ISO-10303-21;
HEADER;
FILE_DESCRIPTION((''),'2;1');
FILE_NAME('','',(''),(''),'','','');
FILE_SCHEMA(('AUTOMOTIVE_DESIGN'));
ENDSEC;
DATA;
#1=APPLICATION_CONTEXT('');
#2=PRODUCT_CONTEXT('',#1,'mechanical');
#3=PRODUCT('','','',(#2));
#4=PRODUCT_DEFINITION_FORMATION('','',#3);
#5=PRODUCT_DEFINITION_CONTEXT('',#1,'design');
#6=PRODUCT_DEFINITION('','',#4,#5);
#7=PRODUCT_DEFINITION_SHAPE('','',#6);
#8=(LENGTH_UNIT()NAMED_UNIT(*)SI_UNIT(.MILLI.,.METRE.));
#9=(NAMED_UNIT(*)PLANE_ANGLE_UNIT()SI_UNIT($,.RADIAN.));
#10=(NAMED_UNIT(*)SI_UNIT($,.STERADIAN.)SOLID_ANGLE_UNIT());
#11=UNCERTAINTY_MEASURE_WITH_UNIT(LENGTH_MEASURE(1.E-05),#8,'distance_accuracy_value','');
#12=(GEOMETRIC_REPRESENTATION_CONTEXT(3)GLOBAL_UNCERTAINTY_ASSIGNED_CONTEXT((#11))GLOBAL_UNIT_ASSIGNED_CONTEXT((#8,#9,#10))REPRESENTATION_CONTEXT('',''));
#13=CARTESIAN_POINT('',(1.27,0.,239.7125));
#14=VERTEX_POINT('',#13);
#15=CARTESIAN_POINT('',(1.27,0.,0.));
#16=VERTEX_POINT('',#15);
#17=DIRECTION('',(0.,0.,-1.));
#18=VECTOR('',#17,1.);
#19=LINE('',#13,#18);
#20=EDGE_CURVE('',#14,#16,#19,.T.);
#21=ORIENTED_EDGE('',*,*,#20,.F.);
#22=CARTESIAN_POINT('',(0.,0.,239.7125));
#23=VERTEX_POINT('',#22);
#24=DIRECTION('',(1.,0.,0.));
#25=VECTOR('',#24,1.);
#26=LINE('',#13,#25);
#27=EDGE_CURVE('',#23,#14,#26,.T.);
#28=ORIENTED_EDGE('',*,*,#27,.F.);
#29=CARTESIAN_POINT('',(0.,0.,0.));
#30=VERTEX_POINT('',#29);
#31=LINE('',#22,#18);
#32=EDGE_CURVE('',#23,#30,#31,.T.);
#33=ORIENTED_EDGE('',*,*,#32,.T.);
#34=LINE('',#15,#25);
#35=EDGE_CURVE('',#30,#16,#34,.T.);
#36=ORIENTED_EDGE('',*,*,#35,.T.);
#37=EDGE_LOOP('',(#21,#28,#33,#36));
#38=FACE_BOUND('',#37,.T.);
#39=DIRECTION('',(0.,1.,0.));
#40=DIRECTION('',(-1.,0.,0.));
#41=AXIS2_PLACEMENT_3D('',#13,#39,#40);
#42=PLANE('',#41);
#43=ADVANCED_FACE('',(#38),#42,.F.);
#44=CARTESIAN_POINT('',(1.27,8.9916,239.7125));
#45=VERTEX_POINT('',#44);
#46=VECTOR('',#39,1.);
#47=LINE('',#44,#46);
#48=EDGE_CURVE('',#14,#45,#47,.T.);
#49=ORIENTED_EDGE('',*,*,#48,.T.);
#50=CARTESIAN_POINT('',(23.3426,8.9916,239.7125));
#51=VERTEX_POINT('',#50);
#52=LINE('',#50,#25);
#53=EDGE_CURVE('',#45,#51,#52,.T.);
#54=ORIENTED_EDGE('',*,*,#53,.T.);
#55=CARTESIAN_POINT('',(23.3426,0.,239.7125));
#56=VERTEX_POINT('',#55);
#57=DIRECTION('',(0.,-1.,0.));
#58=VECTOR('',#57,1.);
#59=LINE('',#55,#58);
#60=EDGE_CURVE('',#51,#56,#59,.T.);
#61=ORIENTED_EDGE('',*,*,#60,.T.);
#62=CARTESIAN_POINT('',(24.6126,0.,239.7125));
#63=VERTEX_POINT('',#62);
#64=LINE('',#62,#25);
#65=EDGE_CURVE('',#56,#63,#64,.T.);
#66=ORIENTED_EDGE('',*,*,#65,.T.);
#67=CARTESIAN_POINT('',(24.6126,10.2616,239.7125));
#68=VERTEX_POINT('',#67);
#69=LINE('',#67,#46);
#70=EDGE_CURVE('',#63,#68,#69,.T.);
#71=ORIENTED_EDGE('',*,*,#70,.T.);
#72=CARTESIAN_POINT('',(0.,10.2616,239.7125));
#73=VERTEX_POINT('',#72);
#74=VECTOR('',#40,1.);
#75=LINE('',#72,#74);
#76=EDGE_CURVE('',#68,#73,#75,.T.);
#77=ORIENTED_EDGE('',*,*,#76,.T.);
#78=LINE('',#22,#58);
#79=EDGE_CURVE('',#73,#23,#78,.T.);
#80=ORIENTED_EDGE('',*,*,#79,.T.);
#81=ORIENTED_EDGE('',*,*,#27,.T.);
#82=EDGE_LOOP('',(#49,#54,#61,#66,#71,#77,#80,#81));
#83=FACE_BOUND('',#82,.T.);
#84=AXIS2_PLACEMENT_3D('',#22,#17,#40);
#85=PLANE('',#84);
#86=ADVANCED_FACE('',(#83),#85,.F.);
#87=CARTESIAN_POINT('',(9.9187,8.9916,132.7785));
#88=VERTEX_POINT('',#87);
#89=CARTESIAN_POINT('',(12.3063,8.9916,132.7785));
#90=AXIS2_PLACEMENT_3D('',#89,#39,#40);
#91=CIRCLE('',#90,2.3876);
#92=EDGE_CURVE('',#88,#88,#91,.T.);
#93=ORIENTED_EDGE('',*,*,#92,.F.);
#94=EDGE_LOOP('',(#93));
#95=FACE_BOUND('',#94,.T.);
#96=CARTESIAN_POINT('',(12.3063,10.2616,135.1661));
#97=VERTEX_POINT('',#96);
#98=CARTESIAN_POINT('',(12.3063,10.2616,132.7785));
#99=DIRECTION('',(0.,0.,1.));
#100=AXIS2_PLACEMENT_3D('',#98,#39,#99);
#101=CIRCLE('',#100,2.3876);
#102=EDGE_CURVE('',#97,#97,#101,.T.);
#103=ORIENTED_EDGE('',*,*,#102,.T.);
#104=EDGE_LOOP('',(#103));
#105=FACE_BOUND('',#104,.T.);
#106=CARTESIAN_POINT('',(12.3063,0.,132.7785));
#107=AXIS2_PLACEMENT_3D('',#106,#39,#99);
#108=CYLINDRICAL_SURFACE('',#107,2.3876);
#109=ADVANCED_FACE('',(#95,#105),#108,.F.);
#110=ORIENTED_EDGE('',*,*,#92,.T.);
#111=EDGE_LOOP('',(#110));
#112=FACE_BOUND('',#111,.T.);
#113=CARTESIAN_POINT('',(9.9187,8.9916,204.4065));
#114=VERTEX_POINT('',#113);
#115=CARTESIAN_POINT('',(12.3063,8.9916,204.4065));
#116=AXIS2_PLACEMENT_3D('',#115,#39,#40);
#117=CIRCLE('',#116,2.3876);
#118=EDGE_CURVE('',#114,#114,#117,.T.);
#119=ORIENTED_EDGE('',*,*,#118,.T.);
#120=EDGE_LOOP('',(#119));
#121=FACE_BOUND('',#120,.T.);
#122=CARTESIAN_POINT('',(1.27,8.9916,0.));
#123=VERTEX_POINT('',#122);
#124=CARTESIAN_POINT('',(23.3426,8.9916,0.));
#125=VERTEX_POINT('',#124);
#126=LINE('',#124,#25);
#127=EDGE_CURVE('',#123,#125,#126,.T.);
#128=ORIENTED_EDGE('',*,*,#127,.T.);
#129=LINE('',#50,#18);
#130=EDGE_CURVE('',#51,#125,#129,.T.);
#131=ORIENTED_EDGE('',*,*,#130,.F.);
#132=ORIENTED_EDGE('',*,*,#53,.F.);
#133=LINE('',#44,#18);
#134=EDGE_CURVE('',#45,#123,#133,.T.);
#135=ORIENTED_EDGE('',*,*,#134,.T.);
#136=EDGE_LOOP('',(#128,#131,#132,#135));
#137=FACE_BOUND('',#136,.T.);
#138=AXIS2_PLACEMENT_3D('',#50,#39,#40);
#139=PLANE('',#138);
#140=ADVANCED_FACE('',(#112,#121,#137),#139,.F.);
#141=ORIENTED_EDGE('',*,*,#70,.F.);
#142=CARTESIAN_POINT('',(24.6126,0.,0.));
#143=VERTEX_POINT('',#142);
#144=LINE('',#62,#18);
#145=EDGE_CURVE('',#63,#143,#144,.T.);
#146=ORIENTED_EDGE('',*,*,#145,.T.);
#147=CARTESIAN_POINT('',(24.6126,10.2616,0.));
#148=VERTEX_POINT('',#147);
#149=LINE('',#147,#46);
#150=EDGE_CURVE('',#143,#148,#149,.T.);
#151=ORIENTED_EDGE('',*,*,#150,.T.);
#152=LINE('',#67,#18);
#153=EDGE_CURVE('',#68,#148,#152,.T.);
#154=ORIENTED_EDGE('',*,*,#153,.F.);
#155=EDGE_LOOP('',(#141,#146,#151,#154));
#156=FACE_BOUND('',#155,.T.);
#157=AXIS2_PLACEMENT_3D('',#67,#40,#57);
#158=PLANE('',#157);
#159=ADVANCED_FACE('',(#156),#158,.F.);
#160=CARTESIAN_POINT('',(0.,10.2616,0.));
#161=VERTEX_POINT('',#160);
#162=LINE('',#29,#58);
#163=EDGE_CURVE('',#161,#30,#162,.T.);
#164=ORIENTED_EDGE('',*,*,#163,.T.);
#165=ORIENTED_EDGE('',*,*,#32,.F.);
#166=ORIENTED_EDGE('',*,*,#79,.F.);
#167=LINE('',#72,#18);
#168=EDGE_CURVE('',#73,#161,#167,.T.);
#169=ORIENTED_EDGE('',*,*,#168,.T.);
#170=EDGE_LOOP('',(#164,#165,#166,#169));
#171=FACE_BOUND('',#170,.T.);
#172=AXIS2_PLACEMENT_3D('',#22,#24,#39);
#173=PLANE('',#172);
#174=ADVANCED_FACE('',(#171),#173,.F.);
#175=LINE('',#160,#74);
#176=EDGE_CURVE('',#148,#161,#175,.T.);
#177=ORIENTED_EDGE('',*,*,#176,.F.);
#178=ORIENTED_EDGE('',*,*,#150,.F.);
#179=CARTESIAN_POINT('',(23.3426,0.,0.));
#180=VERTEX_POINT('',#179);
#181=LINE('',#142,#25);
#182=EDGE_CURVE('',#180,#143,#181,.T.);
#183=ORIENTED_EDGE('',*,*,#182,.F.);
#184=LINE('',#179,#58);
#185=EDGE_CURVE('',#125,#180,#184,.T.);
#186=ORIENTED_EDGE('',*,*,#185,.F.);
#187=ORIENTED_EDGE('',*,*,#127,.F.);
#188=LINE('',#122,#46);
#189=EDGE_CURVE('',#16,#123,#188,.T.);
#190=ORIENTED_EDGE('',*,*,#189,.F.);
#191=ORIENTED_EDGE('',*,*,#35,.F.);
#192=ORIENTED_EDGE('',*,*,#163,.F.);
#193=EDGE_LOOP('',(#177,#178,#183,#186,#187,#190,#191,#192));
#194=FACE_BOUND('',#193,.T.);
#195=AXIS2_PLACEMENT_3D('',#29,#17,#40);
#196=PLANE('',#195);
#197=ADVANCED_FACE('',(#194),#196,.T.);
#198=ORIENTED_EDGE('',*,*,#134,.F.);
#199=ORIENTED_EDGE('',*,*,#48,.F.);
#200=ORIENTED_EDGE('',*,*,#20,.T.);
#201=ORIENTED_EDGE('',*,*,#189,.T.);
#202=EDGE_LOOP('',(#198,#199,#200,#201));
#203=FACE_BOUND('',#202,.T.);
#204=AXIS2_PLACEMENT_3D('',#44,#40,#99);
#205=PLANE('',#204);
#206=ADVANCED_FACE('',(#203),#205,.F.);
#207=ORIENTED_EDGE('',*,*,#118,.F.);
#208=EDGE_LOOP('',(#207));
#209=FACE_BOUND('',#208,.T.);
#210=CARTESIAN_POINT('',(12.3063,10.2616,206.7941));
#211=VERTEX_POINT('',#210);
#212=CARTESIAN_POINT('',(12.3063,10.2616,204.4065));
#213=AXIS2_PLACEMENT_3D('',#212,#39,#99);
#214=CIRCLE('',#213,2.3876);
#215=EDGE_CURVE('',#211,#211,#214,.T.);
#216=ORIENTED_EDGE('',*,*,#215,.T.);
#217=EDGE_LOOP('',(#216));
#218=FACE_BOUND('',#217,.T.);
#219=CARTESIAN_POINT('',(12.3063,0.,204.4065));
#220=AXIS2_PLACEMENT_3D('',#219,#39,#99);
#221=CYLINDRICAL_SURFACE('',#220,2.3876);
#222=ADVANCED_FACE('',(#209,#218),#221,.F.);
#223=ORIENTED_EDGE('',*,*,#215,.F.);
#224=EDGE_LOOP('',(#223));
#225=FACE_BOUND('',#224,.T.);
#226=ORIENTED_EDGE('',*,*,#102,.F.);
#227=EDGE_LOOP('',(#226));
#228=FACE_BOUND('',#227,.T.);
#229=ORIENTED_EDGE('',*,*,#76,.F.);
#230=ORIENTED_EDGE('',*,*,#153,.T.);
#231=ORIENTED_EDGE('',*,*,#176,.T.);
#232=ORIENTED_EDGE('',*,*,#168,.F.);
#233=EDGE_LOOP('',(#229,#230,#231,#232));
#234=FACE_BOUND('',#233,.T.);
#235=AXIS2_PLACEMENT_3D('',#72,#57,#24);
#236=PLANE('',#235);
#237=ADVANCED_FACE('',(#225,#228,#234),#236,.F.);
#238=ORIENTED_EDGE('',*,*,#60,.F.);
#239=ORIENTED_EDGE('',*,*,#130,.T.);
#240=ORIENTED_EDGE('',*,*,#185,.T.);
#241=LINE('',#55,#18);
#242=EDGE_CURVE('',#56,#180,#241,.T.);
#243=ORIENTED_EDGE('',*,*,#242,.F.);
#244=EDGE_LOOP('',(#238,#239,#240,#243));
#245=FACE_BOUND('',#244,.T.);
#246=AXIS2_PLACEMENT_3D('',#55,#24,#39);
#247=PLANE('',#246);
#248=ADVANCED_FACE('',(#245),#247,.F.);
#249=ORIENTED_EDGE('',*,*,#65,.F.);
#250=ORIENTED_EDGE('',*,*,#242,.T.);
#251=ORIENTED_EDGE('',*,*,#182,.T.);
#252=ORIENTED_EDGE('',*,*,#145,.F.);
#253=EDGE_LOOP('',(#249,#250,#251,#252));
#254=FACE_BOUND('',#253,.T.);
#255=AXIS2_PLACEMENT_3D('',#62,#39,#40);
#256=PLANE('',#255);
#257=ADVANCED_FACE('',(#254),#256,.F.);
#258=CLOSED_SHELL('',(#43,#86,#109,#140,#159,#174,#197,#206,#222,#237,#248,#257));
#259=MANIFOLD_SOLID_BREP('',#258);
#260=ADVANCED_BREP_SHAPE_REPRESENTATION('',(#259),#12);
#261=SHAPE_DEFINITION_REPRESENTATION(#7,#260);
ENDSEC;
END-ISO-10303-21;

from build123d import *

# Parameters (mm, degrees)
BOSS_EXTRUDE1_DEPTH          = 239.7125
SKETCH3_R                    = 2.3876
RECOGNIZER_MOUNT_HOLES_DEPTH = 11.2616


with BuildPart() as part:
    # Sketch1 → Boss-Extrude1 (new body)
    with BuildSketch(Plane.XY):
        Polygon((0, 0), (0, 10.2616), (24.6126, 10.2616), (24.6126, 0), (23.3426, 0), (23.3426, 8.9916), (1.27, 8.9916), (1.27, 0), align=None)
    extrude(amount=BOSS_EXTRUDE1_DEPTH)

    # Sketch3 → Recognizer mount holes (cut, through all)
    with BuildSketch(Plane(origin=(0, 10.2616, 0), x_dir=(1, 0, 0), z_dir=(0, 1, 0))):
        with Locations((12.3063, -204.4065)):
            Circle(SKETCH3_R)
        with Locations((12.3063, -132.7785)):
            Circle(SKETCH3_R)
    extrude(amount=-RECOGNIZER_MOUNT_HOLES_DEPTH, mode=Mode.SUBTRACT)


solid = part.part
